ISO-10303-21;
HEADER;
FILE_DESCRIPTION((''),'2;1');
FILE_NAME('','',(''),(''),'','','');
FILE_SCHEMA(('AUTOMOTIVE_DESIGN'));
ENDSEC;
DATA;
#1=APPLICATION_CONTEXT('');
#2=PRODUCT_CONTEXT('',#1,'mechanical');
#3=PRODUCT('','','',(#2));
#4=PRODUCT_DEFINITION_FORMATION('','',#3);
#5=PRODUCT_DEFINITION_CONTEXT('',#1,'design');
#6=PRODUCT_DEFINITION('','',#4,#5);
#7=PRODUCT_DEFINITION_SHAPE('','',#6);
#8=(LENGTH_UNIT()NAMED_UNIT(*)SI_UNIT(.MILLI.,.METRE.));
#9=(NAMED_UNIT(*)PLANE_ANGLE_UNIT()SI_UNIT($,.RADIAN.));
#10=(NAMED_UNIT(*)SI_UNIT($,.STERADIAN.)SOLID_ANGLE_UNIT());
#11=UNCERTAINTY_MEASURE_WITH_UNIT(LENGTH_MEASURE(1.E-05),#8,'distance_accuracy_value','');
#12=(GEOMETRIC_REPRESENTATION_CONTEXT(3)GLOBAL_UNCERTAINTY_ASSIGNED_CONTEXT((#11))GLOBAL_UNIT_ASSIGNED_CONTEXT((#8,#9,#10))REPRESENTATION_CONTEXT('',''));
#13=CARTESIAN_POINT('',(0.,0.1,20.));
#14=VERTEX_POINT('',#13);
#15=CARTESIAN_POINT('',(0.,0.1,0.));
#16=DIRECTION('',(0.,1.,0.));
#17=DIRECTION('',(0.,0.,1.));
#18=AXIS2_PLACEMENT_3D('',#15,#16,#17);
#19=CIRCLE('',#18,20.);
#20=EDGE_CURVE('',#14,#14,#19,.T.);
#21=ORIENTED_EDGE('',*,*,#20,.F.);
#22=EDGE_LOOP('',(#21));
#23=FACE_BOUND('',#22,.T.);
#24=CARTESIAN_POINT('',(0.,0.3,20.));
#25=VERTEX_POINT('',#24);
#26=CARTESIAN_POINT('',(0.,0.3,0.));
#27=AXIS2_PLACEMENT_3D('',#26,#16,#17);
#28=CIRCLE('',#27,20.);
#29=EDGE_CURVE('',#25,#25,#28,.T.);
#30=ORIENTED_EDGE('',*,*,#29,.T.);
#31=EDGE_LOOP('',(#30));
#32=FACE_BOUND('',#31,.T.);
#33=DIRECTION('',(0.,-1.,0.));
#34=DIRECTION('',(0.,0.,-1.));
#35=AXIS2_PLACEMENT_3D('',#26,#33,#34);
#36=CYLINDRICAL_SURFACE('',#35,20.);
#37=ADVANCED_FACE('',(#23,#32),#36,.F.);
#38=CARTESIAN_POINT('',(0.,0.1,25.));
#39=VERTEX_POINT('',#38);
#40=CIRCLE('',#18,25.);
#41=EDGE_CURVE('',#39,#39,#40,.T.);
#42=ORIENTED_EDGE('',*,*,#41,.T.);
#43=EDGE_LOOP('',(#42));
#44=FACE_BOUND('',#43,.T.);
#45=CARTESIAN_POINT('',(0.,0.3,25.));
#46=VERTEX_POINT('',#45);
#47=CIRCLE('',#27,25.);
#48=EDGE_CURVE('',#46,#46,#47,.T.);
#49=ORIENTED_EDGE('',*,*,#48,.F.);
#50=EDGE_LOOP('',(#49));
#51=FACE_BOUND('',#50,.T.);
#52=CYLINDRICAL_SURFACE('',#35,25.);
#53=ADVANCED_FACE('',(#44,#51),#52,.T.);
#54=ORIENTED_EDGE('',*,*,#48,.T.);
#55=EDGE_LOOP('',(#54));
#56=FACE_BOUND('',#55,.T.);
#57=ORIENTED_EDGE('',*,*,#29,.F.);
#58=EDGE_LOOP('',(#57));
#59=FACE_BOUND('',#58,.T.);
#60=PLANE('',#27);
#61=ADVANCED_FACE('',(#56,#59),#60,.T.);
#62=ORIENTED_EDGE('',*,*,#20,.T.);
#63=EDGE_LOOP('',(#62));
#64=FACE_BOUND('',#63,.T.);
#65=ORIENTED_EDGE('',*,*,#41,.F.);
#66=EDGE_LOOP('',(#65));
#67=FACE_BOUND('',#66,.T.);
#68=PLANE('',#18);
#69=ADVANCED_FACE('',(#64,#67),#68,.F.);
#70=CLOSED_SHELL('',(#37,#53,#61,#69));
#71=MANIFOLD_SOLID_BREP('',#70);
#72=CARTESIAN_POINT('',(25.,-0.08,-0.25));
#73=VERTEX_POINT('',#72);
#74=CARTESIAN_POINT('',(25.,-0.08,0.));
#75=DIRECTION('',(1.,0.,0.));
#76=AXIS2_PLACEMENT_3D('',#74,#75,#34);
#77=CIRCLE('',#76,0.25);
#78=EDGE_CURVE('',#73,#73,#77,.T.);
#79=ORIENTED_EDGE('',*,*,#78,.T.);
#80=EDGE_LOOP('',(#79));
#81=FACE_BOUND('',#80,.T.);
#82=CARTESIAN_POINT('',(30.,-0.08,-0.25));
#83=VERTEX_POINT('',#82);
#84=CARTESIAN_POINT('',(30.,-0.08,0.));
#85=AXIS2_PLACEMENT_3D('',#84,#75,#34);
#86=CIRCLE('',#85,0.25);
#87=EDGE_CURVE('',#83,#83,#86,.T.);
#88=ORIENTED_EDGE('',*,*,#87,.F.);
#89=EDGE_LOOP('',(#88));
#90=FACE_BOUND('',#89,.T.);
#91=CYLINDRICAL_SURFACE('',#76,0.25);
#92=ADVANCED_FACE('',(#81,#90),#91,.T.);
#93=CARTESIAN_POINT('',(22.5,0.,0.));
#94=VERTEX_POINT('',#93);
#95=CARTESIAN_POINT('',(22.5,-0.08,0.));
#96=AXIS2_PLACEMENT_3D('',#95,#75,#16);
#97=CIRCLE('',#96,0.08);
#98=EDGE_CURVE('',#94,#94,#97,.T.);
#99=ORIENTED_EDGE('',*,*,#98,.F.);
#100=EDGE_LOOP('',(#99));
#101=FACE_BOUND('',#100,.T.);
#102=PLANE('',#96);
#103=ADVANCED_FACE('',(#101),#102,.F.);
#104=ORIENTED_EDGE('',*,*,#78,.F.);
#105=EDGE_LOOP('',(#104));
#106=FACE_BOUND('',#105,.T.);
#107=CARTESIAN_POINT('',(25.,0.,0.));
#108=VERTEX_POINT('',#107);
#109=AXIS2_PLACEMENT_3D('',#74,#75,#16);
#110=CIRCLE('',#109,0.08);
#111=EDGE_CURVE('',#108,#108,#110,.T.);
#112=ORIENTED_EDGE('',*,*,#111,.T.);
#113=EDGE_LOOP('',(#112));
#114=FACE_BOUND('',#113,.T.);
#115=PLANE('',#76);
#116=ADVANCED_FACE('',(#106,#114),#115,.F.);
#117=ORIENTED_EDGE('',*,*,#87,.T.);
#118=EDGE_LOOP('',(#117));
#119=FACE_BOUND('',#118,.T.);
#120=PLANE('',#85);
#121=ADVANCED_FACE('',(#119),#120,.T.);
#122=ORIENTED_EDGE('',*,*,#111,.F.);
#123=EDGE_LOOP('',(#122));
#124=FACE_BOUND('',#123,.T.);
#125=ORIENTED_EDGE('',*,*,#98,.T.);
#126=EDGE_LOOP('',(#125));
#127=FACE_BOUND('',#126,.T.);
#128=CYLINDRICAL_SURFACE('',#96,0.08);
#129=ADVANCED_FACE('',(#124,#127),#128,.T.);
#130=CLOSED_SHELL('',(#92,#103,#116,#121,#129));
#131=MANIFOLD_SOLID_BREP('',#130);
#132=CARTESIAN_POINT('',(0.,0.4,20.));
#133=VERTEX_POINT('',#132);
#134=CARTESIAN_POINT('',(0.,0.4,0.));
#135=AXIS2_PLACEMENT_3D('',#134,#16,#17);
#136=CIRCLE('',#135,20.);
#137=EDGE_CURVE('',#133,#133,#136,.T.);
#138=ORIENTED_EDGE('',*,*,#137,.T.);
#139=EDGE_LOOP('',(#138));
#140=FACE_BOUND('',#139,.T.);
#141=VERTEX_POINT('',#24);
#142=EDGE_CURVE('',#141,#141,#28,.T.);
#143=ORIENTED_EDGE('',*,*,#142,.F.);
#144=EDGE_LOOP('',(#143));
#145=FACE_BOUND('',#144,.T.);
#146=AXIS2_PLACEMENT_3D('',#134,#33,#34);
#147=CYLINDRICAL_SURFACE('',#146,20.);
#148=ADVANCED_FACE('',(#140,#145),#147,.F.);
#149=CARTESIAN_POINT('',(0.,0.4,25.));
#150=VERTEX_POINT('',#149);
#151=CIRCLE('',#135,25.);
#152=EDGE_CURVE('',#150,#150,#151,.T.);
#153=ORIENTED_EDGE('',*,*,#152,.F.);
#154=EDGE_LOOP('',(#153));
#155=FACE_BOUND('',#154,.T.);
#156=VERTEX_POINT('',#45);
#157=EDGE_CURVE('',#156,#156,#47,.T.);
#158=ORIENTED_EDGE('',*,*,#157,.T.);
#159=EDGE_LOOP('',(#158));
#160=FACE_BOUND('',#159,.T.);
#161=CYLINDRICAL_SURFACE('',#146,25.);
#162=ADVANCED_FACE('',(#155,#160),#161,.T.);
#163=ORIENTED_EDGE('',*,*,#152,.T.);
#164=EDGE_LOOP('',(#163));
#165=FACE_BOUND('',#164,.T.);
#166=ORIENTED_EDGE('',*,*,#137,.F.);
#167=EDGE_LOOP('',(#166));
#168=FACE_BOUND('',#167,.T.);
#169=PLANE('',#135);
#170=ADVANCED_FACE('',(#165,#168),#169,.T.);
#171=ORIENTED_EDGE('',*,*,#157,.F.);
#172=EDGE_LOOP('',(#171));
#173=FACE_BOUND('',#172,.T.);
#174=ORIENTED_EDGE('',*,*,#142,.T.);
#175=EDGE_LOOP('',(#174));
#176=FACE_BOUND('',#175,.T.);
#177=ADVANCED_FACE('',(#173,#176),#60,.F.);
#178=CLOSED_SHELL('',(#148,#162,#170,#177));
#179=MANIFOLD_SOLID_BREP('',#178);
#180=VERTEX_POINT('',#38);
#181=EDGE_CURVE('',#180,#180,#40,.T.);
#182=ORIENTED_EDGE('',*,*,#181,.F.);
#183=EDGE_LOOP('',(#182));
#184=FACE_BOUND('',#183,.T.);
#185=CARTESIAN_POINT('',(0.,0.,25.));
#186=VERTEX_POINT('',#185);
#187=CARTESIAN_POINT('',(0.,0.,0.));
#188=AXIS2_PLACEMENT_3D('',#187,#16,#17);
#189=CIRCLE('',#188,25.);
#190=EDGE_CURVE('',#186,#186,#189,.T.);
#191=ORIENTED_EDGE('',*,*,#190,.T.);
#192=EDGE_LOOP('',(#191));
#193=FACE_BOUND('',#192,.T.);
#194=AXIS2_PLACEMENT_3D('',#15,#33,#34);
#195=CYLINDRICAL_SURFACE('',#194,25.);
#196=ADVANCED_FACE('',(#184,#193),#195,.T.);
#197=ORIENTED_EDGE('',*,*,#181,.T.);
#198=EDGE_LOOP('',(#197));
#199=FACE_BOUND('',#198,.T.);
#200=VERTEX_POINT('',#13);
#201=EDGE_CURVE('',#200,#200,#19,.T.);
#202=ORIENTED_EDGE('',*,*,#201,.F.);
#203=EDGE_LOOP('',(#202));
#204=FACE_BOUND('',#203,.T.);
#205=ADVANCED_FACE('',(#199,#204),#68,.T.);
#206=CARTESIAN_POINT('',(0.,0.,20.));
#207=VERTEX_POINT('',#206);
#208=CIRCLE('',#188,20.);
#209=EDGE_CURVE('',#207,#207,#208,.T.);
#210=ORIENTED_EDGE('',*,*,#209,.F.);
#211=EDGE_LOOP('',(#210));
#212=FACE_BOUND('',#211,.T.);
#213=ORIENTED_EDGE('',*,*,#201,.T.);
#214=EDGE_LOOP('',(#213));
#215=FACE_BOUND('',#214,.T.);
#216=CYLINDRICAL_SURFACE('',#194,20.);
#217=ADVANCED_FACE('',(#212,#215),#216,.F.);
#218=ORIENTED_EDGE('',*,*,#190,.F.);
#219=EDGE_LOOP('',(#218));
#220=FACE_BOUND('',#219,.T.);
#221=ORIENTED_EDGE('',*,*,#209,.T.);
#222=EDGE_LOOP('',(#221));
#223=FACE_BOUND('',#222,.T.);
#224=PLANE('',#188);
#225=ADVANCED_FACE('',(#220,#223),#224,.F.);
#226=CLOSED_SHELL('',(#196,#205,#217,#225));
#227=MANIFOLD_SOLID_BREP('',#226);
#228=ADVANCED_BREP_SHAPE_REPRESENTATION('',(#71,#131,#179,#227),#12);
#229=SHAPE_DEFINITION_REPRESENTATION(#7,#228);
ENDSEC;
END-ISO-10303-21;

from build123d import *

# Parameters (mm, degrees)
SKETCH1_R           = 25
SKETCH1_R_2         = 20
BOSS_EXTRUDE1_DEPTH = 0.1
SWEEP1_PROFILE_R    = 0.08
SWEEP2_PROFILE_R    = 0.25
SKETCH18_R          = 25
SKETCH18_R_2        = 20
BOSS_EXTRUDE2_DEPTH = 0.2
SKETCH19_R          = 25
SKETCH19_R_2        = 20
BOSS_EXTRUDE3_DEPTH = 0.1


with BuildPart() as part:
    # Sketch1 → Boss-Extrude1 (new body)
    with BuildSketch(Plane(origin=(0, 0, 0), x_dir=(1, 0, 0), z_dir=(0, 1, 0))):
        with Locations(Location((0, 0, 0), (0, 0, 270))):
            Circle(SKETCH1_R)
        with Locations(Location((0, 0, 0), (0, 0, 270))):
            Circle(SKETCH1_R_2, mode=Mode.SUBTRACT)
    extrude(amount=BOSS_EXTRUDE1_DEPTH)


with BuildPart() as body_2:
    # Sweep1: sweep along a path in Sketch2
    with BuildLine(Plane.XY) as sweep1_path:
        Line((22.5, -0.08), (25, -0.08))
    # Sweep1 profile (on start of the path) → Sweep1 (sweep)
    with BuildSketch(Plane(origin=(22.5, -0.08, 0), x_dir=(0, 1, 0), z_dir=(1, 0, 0))):
        Circle(SWEEP1_PROFILE_R)
    sweep(path=sweep1_path.line)

    # Sweep2: sweep along a path in Sketch11
    with BuildLine(Plane.XY) as sweep2_path:
        Line((25, -0.08), (30, -0.08))
    # Sweep2 profile (on start of the path) → Sweep2 (sweep)
    with BuildSketch(Plane(origin=(25, -0.08, 0), x_dir=(0, 0, 1), z_dir=(1, 0, 0))):
        Circle(SWEEP2_PROFILE_R)
    sweep(path=sweep2_path.line)


with BuildPart() as body_3:
    # Sketch18 → Boss-Extrude2 (new body)
    with BuildSketch(Plane(origin=(0, 0.1, 0), x_dir=(1, 0, 0), z_dir=(0, 1, 0))):
        with Locations(Location((0, 0, 0), (0, 0, 270))):
            Circle(SKETCH18_R)
        with Locations(Location((0, 0, 0), (0, 0, 270))):
            Circle(SKETCH18_R_2, mode=Mode.SUBTRACT)
    extrude(amount=BOSS_EXTRUDE2_DEPTH)


with BuildPart() as body_4:
    # Sketch19 → Boss-Extrude3 (new body)
    with BuildSketch(Plane(origin=(0, 0.3, 0), x_dir=(1, 0, 0), z_dir=(0, 1, 0))):
        with Locations(Location((0, 0, 0), (0, 0, 270))):
            Circle(SKETCH19_R)
        with Locations(Location((0, 0, 0), (0, 0, 270))):
            Circle(SKETCH19_R_2, mode=Mode.SUBTRACT)
    extrude(amount=BOSS_EXTRUDE3_DEPTH)


solid = Compound([part.part, body_2.part, body_3.part, body_4.part])
